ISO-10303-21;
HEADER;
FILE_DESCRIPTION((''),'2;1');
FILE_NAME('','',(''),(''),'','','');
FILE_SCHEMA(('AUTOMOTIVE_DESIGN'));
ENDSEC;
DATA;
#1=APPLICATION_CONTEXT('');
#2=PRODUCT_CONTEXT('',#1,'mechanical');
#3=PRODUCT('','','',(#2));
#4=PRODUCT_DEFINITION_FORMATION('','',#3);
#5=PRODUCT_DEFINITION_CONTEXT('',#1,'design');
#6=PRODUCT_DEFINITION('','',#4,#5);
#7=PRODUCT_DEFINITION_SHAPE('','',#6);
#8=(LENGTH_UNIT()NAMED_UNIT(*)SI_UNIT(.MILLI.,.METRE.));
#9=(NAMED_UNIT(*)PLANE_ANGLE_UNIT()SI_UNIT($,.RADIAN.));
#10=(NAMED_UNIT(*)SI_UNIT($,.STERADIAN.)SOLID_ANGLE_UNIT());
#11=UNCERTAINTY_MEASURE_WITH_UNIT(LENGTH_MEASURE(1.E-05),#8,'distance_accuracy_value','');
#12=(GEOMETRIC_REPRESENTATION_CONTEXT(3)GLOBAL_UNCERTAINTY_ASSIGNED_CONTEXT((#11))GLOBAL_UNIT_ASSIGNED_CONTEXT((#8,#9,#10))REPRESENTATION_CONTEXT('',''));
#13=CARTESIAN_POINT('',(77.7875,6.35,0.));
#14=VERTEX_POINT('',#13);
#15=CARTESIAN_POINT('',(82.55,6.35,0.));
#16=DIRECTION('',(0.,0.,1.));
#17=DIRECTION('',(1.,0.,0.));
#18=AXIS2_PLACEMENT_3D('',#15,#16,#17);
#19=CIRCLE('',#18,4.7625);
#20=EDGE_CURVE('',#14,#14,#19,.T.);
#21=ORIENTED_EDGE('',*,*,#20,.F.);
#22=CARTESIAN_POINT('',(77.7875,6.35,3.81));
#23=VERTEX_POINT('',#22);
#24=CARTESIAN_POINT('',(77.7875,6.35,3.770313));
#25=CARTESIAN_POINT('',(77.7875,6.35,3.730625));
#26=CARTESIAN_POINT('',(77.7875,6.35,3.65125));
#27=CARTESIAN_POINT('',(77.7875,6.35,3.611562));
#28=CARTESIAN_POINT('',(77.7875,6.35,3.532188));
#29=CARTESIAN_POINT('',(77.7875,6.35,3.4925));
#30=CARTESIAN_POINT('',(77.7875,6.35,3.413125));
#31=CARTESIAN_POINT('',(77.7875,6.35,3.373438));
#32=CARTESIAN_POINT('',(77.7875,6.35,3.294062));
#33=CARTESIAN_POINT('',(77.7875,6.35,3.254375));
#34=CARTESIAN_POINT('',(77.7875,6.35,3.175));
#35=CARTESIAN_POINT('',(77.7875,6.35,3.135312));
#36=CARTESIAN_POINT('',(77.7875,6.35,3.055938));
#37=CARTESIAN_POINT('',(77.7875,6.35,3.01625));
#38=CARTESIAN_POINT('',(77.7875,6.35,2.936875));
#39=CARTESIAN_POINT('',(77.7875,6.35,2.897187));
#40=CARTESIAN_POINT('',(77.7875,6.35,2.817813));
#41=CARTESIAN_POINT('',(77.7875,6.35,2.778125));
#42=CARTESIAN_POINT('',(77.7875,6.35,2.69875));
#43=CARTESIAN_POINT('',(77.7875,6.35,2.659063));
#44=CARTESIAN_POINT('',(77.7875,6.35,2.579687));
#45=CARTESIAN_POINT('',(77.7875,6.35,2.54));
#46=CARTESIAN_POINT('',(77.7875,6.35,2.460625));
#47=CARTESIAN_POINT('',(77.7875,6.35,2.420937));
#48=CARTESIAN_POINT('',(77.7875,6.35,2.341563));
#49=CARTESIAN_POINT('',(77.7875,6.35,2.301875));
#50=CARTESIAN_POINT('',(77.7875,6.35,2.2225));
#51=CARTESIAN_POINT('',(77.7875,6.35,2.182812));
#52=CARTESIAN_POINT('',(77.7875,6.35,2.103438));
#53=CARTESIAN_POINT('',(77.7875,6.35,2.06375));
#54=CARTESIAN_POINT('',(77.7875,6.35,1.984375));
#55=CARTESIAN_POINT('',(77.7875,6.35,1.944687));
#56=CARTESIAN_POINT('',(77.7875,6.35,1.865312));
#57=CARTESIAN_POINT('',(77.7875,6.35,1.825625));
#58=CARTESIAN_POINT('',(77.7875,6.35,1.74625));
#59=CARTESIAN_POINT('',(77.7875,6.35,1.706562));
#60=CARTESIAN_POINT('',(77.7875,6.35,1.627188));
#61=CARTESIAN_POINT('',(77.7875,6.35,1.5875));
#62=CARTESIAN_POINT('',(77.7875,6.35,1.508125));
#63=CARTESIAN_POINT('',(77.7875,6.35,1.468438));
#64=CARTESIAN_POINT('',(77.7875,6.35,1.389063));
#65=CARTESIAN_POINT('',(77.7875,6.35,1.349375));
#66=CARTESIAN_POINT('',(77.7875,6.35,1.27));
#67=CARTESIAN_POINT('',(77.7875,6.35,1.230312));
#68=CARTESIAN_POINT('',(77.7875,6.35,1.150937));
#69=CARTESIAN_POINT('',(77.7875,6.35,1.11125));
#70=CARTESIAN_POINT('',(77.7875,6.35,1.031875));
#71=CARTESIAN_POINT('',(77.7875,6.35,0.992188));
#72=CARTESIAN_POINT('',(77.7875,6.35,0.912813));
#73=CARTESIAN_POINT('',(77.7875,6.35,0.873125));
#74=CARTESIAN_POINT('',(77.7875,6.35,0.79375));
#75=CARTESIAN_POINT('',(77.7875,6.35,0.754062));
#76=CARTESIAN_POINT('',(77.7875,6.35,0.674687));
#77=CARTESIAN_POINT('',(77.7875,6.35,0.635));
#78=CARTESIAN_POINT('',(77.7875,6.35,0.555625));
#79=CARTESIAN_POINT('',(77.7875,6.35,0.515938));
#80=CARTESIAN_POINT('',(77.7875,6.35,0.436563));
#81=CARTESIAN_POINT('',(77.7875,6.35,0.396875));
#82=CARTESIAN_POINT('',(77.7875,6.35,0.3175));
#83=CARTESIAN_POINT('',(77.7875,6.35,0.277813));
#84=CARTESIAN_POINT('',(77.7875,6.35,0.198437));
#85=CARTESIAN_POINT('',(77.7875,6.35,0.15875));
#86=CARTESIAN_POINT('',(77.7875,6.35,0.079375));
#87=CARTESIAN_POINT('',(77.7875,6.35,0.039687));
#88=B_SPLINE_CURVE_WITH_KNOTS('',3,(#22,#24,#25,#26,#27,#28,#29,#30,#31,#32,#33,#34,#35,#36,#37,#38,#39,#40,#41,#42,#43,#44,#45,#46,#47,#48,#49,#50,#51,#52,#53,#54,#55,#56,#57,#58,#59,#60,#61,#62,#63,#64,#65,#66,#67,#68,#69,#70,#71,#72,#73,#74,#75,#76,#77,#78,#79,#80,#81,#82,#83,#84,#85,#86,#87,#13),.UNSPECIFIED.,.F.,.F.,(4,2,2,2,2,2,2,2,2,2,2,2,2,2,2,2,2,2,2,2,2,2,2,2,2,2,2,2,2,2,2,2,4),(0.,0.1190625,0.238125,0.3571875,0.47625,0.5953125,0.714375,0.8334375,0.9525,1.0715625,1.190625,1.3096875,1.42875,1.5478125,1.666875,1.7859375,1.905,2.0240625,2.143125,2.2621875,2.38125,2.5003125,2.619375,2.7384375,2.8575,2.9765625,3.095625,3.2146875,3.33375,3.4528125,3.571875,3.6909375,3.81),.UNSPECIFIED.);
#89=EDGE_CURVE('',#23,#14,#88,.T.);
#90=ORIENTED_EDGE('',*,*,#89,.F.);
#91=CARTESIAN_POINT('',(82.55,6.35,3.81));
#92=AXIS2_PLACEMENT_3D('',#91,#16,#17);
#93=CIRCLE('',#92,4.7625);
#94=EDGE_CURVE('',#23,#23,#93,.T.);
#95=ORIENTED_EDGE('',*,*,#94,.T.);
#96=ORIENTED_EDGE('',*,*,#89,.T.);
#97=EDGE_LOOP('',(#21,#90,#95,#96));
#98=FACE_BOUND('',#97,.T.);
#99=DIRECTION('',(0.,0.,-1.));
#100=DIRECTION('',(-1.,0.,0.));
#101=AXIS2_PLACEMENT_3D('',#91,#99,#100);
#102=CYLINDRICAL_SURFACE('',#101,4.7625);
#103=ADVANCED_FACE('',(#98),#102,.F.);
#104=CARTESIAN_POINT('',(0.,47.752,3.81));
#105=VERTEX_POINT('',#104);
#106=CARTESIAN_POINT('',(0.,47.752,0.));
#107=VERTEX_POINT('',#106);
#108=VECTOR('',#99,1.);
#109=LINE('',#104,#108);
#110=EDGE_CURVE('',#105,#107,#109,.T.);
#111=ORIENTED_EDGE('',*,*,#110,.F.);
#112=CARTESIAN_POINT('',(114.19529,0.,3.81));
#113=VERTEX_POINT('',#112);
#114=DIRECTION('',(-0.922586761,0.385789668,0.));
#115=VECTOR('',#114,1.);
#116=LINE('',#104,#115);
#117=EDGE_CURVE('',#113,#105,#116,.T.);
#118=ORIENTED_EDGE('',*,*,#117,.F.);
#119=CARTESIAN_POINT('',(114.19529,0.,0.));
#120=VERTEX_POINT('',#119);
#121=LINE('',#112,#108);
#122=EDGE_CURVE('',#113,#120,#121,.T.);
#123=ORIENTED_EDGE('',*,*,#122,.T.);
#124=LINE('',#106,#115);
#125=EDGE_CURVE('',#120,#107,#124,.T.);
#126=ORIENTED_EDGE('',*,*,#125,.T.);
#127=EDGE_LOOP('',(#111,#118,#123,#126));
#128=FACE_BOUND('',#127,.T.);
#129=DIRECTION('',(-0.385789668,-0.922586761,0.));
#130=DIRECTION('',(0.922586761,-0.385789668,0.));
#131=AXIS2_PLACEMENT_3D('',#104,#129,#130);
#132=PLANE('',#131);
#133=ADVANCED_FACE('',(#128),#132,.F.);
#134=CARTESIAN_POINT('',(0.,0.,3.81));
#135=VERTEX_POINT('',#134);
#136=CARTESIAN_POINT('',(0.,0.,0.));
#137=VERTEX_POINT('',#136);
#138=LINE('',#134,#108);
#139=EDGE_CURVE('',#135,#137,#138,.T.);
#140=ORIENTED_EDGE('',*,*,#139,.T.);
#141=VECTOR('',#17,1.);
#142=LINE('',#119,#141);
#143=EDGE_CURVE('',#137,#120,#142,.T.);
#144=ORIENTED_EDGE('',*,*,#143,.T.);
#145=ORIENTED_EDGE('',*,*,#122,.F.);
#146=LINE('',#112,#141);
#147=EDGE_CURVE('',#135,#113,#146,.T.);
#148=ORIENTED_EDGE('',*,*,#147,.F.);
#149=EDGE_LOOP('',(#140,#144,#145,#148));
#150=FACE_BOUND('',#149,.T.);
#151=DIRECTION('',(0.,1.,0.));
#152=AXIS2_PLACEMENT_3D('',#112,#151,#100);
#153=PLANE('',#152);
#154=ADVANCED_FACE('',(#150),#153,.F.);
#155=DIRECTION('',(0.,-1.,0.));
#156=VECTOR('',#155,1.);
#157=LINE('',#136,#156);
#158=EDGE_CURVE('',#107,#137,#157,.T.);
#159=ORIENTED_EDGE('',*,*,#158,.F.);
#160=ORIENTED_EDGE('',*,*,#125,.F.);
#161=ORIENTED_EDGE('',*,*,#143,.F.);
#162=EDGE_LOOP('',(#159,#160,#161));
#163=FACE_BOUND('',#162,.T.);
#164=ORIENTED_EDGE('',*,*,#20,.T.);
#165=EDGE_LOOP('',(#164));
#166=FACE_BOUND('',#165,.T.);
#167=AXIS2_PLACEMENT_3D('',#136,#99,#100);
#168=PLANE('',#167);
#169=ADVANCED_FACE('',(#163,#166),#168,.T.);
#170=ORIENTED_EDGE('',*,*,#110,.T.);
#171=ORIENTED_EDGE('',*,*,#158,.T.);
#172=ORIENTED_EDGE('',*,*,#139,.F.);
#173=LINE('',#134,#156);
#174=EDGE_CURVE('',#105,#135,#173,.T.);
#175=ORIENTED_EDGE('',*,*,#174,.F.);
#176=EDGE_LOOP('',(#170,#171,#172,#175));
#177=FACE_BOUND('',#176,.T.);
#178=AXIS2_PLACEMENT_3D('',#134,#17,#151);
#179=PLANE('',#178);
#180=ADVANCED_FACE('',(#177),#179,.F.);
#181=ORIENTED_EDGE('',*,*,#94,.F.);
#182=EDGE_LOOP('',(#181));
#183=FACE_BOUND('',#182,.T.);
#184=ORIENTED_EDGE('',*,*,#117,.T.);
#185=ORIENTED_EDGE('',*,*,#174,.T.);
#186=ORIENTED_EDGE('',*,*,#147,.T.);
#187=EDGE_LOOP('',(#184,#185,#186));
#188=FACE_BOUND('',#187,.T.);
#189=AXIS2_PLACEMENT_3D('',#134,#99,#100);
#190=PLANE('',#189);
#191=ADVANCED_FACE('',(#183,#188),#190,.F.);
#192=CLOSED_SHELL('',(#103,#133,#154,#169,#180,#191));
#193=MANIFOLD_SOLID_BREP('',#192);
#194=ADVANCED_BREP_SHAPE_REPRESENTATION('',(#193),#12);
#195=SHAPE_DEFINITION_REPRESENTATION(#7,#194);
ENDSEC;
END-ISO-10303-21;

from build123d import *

# Parameters (mm, degrees)
SKETCH1_R           = 4.7625
BOSS_EXTRUDE1_DEPTH = 3.81


with BuildPart() as part:
    # Sketch1 → Boss-Extrude1 (new body)
    with BuildSketch(Plane.XY):
        Polygon((0, 0), (0, 47.752), (114.195290032, 0), align=None)
        with Locations(Location((82.55, 6.35, 0), (0, 0, 180))):
            Circle(SKETCH1_R, mode=Mode.SUBTRACT)
    extrude(amount=BOSS_EXTRUDE1_DEPTH)


solid = part.part
